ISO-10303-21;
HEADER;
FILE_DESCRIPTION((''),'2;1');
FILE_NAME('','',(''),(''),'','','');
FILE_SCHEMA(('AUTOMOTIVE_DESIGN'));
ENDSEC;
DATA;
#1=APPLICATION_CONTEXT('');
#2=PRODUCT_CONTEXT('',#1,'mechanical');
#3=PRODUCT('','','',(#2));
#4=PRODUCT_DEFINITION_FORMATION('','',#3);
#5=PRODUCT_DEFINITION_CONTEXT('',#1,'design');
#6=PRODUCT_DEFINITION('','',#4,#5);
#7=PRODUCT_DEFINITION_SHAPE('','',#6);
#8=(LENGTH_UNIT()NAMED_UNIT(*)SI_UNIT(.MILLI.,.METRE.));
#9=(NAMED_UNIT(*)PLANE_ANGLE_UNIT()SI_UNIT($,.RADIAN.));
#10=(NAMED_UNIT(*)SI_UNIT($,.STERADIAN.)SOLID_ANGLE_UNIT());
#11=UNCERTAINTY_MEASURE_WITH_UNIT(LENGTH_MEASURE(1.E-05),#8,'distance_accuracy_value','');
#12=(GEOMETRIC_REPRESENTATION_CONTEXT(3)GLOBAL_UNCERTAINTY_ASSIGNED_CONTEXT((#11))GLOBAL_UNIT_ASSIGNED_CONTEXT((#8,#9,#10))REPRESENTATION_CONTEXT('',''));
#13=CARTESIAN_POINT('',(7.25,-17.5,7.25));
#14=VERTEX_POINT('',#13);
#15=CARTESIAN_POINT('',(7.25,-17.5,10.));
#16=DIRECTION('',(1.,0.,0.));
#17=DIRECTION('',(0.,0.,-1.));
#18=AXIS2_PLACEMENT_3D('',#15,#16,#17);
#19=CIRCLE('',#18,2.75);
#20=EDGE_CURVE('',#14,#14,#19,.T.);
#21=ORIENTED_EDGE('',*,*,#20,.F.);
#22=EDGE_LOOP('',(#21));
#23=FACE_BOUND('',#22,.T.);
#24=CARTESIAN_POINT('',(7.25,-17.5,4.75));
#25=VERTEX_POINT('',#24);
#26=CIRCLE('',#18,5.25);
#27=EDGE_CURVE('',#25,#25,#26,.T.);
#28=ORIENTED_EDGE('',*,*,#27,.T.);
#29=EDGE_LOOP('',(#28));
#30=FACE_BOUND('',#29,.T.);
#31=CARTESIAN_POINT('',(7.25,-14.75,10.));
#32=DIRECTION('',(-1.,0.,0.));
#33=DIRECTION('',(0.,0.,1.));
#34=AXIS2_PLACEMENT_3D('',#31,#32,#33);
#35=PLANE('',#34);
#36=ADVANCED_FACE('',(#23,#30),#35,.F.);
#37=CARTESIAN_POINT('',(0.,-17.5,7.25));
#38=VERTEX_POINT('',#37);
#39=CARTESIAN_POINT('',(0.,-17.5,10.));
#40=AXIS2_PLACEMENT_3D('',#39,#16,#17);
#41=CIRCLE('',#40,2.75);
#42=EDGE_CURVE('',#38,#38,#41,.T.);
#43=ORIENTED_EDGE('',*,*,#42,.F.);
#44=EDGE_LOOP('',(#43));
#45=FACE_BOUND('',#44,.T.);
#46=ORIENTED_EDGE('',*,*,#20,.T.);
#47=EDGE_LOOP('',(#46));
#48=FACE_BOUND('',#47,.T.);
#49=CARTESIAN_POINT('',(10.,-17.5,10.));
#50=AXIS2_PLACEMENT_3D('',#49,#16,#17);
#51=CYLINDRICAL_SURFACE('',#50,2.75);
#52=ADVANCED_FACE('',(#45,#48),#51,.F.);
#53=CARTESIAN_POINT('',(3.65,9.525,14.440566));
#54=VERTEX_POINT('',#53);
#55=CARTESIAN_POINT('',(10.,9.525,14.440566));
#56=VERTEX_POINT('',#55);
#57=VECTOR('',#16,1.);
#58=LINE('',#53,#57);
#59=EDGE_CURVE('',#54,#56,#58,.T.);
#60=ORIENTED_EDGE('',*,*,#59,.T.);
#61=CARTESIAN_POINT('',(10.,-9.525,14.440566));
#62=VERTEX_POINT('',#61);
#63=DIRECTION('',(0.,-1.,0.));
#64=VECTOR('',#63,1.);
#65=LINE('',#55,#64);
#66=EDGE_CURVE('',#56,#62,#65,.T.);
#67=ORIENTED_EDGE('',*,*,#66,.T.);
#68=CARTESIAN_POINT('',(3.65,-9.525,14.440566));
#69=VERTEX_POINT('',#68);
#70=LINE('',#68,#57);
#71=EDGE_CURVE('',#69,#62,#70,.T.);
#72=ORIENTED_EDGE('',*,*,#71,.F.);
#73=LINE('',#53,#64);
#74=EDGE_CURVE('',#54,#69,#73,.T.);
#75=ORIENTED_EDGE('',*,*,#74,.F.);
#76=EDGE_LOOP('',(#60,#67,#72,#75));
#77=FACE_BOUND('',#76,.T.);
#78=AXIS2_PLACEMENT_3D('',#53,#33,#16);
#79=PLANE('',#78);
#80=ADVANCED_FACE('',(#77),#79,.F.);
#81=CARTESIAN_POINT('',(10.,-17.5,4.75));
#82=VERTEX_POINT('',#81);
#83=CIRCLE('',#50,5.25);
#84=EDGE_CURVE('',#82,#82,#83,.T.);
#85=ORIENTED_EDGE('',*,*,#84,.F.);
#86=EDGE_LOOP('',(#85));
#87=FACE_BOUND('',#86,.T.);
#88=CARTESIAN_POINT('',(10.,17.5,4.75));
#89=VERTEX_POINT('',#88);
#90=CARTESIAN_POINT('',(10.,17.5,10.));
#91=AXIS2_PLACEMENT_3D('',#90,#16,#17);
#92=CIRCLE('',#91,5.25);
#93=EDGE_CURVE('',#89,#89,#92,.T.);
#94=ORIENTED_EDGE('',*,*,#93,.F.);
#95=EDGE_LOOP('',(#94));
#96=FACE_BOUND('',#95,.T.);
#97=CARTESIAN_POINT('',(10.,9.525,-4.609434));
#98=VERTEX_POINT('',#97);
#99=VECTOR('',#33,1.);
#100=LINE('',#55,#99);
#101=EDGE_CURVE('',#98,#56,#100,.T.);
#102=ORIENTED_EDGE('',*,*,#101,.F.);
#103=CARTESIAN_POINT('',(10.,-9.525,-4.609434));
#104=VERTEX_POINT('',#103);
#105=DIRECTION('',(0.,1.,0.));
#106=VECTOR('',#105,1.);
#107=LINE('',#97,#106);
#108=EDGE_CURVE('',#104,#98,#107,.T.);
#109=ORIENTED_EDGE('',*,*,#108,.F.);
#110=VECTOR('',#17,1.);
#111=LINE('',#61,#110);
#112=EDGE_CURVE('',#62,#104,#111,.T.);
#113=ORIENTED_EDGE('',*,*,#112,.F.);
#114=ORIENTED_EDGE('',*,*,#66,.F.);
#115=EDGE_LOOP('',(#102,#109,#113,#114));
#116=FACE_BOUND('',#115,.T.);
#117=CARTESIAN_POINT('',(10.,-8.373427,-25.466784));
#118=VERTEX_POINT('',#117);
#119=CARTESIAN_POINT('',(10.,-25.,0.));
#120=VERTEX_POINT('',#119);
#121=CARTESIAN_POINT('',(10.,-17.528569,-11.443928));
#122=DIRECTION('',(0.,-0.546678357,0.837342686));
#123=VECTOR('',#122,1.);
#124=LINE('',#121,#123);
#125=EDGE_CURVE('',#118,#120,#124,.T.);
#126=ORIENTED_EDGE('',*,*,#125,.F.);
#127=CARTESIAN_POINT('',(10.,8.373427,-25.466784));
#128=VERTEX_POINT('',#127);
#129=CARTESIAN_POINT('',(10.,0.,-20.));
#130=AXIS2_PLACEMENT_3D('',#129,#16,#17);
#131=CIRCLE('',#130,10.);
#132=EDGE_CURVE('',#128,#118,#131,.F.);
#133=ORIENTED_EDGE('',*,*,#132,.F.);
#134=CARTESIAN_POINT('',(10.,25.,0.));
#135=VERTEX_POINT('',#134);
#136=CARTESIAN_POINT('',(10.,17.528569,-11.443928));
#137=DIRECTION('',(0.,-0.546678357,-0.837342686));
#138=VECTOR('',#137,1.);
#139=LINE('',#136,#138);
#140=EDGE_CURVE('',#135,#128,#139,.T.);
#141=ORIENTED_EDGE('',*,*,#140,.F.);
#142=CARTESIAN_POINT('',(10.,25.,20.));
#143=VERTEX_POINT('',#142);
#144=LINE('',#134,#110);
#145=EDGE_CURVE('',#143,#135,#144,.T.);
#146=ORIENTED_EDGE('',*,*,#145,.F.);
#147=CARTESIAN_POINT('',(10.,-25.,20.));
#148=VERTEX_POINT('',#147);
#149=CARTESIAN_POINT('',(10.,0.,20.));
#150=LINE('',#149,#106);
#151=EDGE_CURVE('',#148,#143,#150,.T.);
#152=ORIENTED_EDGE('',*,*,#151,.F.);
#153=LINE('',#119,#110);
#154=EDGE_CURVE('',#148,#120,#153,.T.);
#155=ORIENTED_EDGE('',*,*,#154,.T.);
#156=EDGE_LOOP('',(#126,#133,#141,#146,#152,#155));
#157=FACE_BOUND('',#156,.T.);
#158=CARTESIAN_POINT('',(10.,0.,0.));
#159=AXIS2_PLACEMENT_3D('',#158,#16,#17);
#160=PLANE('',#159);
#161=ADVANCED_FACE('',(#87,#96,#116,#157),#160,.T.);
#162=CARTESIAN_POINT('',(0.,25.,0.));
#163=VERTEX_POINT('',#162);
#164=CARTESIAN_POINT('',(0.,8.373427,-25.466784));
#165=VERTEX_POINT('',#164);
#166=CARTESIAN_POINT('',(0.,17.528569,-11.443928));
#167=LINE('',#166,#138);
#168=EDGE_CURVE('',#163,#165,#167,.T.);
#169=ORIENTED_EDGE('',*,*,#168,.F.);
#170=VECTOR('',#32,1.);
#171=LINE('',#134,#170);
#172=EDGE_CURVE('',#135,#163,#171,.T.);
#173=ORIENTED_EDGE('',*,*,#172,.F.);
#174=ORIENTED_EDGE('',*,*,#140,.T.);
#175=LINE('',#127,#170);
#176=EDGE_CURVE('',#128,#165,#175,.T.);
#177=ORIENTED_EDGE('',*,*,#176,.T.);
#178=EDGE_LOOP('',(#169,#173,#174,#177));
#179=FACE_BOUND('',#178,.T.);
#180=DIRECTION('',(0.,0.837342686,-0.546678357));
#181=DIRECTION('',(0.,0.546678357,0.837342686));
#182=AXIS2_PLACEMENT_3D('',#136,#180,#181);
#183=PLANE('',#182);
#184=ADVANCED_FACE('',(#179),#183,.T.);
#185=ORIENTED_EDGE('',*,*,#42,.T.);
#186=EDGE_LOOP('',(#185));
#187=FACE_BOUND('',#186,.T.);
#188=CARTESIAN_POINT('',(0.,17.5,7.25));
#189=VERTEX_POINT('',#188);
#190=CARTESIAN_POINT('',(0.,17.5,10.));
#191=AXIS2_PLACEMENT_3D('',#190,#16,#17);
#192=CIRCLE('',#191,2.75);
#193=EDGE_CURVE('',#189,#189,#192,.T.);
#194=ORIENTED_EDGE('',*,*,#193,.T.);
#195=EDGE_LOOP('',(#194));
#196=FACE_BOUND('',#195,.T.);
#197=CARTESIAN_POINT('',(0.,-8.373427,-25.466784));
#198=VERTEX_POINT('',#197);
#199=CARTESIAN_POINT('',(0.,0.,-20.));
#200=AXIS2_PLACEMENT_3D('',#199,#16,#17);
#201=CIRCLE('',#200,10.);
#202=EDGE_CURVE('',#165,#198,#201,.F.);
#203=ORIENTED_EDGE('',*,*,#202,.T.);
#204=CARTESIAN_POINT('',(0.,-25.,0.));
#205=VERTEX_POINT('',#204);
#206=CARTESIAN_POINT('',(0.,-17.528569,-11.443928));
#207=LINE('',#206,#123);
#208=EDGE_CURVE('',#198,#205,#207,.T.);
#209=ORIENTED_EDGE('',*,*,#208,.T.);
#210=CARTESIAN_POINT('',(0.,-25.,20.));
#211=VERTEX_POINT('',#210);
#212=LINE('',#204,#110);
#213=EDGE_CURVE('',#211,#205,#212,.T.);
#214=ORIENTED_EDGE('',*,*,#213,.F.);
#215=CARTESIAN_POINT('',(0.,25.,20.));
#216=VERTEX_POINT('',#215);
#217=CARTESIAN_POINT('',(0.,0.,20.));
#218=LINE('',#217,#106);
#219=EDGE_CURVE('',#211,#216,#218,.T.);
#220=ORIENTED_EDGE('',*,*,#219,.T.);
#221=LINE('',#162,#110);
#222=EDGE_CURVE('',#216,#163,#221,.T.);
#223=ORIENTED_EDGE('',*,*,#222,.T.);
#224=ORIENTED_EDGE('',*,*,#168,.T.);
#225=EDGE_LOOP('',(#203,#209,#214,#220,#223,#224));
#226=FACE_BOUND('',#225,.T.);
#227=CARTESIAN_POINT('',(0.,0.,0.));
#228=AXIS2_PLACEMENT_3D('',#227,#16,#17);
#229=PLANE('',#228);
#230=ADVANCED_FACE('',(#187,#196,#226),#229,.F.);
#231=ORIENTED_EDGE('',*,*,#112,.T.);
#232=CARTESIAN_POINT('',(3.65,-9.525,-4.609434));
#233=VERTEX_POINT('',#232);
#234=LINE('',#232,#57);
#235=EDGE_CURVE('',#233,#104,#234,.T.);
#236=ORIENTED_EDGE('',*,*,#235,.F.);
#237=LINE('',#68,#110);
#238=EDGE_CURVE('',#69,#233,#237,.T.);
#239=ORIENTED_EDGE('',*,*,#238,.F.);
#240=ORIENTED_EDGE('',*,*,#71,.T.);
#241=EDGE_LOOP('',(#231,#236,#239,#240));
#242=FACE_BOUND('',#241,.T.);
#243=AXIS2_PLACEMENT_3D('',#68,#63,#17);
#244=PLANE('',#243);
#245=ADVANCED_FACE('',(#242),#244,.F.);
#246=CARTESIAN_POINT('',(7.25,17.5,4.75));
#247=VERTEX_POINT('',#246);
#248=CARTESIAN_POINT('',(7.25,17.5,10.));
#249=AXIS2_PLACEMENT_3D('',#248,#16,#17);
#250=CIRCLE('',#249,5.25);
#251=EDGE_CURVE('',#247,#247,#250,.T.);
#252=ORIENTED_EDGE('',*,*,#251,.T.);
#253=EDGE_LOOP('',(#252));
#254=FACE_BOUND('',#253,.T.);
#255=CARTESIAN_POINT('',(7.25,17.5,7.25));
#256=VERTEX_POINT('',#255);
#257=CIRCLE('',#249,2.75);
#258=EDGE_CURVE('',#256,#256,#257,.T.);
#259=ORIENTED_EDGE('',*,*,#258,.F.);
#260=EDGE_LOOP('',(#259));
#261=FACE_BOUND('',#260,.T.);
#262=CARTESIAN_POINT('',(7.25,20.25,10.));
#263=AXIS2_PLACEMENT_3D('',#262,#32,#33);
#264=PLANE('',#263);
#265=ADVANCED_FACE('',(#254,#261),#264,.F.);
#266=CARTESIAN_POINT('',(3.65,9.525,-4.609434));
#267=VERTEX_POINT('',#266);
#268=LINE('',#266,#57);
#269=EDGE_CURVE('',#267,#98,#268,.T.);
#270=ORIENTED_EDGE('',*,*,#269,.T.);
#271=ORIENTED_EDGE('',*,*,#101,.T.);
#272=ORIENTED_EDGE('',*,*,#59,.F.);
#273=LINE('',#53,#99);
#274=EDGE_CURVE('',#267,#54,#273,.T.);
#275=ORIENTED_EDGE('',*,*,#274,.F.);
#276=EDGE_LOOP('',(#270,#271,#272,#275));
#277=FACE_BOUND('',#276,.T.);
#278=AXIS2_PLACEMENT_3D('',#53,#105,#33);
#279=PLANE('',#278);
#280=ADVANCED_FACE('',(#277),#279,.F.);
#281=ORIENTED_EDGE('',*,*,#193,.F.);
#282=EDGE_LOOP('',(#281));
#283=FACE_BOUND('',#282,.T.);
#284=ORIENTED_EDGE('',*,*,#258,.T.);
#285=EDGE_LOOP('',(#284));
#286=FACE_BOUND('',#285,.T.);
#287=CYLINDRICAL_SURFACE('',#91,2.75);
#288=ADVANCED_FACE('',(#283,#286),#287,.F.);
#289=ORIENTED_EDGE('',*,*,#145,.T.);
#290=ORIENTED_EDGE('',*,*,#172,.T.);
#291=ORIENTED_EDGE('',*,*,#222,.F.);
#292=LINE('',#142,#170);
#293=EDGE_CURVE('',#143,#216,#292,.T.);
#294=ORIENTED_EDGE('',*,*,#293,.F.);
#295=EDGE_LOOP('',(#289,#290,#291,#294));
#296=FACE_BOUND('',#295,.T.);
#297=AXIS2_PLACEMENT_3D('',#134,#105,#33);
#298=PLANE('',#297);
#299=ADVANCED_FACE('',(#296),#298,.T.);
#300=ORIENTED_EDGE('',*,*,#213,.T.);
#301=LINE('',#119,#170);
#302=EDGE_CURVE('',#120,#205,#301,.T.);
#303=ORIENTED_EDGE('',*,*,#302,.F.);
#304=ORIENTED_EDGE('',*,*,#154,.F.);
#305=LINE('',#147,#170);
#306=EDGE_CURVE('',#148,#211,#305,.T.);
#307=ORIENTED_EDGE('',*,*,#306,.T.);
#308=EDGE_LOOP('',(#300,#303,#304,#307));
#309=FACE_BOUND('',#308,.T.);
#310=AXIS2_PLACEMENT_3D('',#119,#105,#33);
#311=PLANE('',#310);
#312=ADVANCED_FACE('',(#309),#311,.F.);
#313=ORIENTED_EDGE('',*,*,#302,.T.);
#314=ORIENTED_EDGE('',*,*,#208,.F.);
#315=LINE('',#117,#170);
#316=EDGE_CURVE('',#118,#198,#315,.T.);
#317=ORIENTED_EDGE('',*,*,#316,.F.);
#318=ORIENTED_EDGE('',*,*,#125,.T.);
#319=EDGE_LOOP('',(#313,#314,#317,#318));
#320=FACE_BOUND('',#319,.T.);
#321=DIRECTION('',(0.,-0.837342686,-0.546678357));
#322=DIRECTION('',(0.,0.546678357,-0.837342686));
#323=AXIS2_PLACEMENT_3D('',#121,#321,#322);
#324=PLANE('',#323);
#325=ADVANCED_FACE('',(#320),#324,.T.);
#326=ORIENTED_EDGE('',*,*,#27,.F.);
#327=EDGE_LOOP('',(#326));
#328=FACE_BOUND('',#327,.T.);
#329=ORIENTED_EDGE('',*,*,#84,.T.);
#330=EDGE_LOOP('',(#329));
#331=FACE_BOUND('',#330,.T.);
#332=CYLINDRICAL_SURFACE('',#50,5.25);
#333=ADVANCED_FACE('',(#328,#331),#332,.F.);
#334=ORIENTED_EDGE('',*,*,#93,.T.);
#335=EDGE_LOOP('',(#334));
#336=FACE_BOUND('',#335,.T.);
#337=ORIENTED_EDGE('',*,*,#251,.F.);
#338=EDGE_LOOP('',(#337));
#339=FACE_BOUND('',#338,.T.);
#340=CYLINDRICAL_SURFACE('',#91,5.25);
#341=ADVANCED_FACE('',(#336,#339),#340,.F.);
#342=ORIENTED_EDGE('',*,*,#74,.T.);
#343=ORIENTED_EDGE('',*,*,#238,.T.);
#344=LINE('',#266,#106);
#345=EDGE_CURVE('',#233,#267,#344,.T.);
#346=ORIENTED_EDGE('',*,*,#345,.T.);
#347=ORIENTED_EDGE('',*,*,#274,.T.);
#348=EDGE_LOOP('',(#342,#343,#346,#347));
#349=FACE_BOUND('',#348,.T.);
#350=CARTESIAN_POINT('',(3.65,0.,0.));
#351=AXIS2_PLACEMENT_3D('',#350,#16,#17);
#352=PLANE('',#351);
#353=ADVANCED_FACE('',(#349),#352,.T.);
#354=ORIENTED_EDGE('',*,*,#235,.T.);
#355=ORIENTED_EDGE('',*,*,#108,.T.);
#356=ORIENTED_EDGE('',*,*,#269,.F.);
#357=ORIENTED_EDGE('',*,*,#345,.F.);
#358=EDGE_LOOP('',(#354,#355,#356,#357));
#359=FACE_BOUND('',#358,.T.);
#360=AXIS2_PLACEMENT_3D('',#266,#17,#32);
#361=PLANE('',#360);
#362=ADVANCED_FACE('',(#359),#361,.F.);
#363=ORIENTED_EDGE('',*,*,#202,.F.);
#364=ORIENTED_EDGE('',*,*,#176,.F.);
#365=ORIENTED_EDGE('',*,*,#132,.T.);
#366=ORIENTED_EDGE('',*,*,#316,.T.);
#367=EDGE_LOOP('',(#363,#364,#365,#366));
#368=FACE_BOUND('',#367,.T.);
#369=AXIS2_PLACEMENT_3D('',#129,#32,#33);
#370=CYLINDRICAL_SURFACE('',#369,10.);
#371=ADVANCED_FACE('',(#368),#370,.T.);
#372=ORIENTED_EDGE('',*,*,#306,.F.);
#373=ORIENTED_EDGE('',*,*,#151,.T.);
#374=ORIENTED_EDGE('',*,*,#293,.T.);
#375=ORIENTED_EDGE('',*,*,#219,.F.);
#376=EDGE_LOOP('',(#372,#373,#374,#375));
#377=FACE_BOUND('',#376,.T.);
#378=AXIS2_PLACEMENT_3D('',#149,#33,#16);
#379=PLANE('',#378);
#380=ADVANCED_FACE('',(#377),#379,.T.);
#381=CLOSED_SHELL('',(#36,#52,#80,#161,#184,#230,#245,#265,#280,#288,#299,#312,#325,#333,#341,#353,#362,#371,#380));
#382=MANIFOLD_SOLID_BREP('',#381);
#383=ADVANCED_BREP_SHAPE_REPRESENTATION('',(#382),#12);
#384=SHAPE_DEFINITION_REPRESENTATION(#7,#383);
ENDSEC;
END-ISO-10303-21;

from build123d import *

# Parameters (mm, degrees)
SKETCH1_W                       = 20
SKETCH1_H                       = 50
BOSS_EXTRUDE1_DEPTH             = 10
CBORE_FOR_M5_SBHCS1_D           = 5.5
CBORE_FOR_M5_SBHCS1_CBORE_D     = 10.5
CBORE_FOR_M5_SBHCS1_CBORE_DEPTH = 2.75
SKETCH5_W                       = 19.05
SKETCH5_H                       = 19.05
CUT_EXTRUDE1_DEPTH              = 6.35


with BuildPart() as part:
    # Sketch1 → Boss-Extrude1 (new body)
    with BuildSketch(Plane(origin=(0, 0, 0), x_dir=(0, 0, -1), z_dir=(1, 0, 0))):
        with Locations((-10, 0)):
            Rectangle(SKETCH1_W, SKETCH1_H)
        with BuildLine():
            ThreePointArc((25.466783574, 8.373426859), (30, 0), (25.466783574, -8.373426859))
            Line((25.466783574, -8.373426859), (0, -25))
            Line((0, -25), (0, 25))
            Line((0, 25), (25.466783574, 8.373426859))
        make_face()
    extrude(amount=BOSS_EXTRUDE1_DEPTH)

    # CBORE for M5 SBHCS1 (through all)
    with Locations(Plane(origin=(10, 0, 0), x_dir=(0, 0, -1), z_dir=(1, 0, 0))):
        with Locations((-10, 17.5), (-10, -17.5)):
            CounterBoreHole(CBORE_FOR_M5_SBHCS1_D / 2, CBORE_FOR_M5_SBHCS1_CBORE_D / 2, CBORE_FOR_M5_SBHCS1_CBORE_DEPTH)

    # Sketch5 → Cut-Extrude1 (cut)
    with BuildSketch(Plane(origin=(10, 0, 0), x_dir=(0, 0, -1), z_dir=(1, 0, 0))):
        with Locations((-4.915565879, 0)):
            Rectangle(SKETCH5_W, SKETCH5_H)
    extrude(amount=-CUT_EXTRUDE1_DEPTH, mode=Mode.SUBTRACT)


solid = part.part
